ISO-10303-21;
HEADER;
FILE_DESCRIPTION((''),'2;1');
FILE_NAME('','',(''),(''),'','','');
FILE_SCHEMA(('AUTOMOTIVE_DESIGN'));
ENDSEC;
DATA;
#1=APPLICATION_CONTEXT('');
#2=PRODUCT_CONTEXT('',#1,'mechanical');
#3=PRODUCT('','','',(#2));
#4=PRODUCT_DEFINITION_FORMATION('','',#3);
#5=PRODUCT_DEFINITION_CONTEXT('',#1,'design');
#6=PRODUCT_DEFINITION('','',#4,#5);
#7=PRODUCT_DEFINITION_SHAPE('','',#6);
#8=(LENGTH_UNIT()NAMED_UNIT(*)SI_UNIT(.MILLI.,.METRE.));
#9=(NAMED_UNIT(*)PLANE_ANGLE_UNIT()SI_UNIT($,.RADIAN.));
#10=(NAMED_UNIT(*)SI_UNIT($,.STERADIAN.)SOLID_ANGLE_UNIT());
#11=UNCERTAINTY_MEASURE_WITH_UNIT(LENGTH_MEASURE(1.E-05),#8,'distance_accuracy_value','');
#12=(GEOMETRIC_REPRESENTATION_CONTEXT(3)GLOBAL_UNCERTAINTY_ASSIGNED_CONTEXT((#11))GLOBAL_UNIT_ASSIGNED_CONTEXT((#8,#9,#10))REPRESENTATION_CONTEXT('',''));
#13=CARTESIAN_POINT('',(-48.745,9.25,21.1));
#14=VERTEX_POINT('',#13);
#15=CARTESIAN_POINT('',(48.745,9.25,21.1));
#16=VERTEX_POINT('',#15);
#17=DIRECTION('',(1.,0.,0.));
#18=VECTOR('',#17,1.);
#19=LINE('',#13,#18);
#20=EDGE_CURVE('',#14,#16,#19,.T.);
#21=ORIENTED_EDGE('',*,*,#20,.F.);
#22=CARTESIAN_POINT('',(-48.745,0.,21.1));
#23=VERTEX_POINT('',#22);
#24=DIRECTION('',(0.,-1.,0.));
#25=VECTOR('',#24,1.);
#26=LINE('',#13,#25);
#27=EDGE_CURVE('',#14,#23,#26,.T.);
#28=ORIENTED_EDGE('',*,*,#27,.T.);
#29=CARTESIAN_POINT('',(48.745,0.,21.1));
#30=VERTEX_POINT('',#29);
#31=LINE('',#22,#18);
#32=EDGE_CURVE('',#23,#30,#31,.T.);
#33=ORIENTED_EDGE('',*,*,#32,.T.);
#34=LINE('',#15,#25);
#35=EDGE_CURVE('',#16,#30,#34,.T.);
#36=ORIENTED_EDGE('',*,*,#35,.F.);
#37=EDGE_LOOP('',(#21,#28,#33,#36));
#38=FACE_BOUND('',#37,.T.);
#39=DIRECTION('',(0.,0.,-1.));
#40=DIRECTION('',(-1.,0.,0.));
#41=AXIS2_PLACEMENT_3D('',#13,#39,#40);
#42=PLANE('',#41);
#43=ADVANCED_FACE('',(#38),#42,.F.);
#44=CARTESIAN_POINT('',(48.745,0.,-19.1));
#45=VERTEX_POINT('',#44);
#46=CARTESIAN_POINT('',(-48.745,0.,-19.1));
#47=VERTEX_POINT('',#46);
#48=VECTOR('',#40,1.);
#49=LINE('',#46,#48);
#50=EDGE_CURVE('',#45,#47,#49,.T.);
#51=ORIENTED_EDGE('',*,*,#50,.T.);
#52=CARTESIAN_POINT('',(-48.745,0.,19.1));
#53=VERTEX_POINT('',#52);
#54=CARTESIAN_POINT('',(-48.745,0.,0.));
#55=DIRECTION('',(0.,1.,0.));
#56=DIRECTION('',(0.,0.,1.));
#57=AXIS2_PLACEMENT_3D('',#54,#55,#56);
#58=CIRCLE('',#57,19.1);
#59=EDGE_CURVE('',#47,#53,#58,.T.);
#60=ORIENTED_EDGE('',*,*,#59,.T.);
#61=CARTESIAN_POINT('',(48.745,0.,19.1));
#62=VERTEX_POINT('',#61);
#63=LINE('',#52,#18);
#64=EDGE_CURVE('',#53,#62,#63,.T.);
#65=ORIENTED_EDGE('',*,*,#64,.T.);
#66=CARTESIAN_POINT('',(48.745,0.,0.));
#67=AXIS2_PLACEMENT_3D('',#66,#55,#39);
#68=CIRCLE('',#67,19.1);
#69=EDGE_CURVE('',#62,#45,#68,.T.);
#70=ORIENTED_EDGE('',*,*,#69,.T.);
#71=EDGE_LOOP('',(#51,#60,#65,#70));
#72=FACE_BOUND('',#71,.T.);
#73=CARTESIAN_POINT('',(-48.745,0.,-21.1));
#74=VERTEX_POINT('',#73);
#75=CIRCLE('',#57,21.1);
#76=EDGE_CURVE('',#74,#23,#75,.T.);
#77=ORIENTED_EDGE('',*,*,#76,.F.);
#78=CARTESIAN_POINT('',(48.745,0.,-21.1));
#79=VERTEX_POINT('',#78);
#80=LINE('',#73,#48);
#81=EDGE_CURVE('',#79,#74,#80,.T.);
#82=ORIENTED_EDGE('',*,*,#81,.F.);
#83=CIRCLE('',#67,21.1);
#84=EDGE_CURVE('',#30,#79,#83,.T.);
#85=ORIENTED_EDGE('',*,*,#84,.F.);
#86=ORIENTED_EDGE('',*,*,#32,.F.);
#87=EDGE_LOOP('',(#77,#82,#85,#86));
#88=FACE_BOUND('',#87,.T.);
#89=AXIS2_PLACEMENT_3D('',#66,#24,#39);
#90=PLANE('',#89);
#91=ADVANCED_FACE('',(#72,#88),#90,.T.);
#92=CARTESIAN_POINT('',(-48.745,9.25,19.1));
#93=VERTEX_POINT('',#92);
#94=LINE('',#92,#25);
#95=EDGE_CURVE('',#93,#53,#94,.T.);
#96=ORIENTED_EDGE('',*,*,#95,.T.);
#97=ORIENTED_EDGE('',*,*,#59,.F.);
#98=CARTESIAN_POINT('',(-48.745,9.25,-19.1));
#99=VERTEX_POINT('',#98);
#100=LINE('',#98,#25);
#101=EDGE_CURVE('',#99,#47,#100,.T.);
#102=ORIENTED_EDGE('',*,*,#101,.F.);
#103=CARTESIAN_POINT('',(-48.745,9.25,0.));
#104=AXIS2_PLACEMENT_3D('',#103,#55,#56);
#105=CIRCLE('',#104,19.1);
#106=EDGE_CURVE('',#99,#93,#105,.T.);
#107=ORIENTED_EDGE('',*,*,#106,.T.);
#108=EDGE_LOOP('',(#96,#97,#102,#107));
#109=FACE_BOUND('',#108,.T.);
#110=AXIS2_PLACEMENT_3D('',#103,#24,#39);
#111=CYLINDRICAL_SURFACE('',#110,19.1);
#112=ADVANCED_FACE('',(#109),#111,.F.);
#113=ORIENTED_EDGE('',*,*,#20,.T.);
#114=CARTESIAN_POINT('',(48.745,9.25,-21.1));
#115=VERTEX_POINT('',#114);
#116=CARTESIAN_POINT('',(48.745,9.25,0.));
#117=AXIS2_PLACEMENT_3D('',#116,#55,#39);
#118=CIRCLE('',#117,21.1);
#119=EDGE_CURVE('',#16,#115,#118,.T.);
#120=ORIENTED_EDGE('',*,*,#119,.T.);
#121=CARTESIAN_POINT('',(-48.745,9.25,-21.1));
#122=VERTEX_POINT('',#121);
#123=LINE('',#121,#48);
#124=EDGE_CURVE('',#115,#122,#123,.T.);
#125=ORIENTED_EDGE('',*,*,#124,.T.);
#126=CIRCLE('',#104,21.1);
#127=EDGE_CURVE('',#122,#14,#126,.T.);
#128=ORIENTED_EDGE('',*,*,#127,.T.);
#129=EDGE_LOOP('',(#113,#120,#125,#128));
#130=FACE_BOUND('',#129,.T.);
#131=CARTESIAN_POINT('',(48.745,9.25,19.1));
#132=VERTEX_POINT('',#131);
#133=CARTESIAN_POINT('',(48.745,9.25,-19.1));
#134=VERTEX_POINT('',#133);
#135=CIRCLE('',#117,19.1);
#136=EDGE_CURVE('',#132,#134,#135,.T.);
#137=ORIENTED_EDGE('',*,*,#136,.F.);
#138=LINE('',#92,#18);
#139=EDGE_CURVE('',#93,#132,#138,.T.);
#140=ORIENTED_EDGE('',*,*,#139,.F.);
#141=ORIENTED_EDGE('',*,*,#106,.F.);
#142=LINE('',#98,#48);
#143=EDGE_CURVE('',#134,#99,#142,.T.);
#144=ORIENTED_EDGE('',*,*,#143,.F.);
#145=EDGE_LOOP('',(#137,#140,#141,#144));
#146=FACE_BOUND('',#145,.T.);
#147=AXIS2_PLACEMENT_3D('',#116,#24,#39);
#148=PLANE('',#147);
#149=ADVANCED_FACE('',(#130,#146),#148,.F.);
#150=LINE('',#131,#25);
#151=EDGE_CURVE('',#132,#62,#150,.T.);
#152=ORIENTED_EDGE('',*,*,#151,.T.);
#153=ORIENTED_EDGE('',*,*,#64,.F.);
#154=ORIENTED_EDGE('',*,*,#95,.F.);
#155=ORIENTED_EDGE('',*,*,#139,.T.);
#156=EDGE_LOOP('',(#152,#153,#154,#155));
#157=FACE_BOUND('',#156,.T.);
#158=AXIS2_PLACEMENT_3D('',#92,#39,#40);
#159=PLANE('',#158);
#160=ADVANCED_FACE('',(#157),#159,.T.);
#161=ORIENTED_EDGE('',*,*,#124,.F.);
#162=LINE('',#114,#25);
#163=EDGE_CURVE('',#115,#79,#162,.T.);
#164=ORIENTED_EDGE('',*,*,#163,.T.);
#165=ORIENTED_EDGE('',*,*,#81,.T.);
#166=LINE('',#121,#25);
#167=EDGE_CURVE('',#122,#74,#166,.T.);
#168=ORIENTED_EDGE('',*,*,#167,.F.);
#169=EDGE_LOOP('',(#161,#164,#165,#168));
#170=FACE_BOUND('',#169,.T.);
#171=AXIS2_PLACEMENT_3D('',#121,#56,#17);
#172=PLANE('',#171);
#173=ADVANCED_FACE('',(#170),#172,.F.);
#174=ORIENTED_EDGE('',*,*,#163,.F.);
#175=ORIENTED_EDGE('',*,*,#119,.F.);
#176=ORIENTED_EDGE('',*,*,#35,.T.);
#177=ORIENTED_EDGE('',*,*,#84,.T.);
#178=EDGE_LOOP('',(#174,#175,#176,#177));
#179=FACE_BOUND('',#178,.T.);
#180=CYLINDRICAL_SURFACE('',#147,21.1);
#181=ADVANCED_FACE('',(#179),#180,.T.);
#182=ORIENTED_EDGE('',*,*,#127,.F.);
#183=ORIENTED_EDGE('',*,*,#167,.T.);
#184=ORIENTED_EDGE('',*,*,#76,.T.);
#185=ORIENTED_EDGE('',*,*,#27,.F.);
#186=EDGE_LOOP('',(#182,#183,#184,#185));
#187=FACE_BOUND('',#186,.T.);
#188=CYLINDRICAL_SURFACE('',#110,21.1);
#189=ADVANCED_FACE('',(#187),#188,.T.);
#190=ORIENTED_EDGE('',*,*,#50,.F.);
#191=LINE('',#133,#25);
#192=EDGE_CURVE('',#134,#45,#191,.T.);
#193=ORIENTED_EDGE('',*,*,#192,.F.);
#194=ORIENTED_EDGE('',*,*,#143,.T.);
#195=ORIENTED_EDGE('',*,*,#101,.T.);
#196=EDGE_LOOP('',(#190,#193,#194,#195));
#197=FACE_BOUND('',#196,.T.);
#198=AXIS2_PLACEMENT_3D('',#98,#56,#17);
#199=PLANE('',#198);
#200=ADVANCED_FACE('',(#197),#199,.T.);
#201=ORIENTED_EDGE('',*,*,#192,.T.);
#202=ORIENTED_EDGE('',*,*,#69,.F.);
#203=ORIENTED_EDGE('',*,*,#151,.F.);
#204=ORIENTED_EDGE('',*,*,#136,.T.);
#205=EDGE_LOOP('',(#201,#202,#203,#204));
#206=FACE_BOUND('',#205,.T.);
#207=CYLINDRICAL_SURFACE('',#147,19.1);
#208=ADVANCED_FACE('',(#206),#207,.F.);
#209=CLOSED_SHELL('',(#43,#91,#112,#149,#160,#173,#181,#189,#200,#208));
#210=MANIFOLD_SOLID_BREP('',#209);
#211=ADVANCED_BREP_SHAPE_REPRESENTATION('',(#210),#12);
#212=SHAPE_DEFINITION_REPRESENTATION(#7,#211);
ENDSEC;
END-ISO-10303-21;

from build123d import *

# Parameters (mm, degrees)
BOSS_EXTRUDE1_DEPTH = 9.25


with BuildPart() as part:
    # Sketch1 → Boss-Extrude1 (new body)
    with BuildSketch(Plane(origin=(0, 0, 0), x_dir=(1, 0, 0), z_dir=(0, 1, 0))):
        with BuildLine():
            Line((-48.745, -21.1), (48.745, -21.1))
            ThreePointArc((48.745, -21.1), (69.845, 0), (48.745, 21.1))
            Line((48.745, 21.1), (-48.745, 21.1))
            ThreePointArc((-48.745, 21.1), (-69.845, 0), (-48.745, -21.1))
        make_face()
        with BuildLine():
            Line((-48.745, 19.1), (48.745, 19.1))
            ThreePointArc((48.745, 19.1), (67.845, 0), (48.745, -19.1))
            Line((48.745, -19.1), (-48.745, -19.1))
            ThreePointArc((-48.745, -19.1), (-67.845, 0), (-48.745, 19.1))
        make_face(mode=Mode.SUBTRACT)
    extrude(amount=BOSS_EXTRUDE1_DEPTH)


solid = part.part
